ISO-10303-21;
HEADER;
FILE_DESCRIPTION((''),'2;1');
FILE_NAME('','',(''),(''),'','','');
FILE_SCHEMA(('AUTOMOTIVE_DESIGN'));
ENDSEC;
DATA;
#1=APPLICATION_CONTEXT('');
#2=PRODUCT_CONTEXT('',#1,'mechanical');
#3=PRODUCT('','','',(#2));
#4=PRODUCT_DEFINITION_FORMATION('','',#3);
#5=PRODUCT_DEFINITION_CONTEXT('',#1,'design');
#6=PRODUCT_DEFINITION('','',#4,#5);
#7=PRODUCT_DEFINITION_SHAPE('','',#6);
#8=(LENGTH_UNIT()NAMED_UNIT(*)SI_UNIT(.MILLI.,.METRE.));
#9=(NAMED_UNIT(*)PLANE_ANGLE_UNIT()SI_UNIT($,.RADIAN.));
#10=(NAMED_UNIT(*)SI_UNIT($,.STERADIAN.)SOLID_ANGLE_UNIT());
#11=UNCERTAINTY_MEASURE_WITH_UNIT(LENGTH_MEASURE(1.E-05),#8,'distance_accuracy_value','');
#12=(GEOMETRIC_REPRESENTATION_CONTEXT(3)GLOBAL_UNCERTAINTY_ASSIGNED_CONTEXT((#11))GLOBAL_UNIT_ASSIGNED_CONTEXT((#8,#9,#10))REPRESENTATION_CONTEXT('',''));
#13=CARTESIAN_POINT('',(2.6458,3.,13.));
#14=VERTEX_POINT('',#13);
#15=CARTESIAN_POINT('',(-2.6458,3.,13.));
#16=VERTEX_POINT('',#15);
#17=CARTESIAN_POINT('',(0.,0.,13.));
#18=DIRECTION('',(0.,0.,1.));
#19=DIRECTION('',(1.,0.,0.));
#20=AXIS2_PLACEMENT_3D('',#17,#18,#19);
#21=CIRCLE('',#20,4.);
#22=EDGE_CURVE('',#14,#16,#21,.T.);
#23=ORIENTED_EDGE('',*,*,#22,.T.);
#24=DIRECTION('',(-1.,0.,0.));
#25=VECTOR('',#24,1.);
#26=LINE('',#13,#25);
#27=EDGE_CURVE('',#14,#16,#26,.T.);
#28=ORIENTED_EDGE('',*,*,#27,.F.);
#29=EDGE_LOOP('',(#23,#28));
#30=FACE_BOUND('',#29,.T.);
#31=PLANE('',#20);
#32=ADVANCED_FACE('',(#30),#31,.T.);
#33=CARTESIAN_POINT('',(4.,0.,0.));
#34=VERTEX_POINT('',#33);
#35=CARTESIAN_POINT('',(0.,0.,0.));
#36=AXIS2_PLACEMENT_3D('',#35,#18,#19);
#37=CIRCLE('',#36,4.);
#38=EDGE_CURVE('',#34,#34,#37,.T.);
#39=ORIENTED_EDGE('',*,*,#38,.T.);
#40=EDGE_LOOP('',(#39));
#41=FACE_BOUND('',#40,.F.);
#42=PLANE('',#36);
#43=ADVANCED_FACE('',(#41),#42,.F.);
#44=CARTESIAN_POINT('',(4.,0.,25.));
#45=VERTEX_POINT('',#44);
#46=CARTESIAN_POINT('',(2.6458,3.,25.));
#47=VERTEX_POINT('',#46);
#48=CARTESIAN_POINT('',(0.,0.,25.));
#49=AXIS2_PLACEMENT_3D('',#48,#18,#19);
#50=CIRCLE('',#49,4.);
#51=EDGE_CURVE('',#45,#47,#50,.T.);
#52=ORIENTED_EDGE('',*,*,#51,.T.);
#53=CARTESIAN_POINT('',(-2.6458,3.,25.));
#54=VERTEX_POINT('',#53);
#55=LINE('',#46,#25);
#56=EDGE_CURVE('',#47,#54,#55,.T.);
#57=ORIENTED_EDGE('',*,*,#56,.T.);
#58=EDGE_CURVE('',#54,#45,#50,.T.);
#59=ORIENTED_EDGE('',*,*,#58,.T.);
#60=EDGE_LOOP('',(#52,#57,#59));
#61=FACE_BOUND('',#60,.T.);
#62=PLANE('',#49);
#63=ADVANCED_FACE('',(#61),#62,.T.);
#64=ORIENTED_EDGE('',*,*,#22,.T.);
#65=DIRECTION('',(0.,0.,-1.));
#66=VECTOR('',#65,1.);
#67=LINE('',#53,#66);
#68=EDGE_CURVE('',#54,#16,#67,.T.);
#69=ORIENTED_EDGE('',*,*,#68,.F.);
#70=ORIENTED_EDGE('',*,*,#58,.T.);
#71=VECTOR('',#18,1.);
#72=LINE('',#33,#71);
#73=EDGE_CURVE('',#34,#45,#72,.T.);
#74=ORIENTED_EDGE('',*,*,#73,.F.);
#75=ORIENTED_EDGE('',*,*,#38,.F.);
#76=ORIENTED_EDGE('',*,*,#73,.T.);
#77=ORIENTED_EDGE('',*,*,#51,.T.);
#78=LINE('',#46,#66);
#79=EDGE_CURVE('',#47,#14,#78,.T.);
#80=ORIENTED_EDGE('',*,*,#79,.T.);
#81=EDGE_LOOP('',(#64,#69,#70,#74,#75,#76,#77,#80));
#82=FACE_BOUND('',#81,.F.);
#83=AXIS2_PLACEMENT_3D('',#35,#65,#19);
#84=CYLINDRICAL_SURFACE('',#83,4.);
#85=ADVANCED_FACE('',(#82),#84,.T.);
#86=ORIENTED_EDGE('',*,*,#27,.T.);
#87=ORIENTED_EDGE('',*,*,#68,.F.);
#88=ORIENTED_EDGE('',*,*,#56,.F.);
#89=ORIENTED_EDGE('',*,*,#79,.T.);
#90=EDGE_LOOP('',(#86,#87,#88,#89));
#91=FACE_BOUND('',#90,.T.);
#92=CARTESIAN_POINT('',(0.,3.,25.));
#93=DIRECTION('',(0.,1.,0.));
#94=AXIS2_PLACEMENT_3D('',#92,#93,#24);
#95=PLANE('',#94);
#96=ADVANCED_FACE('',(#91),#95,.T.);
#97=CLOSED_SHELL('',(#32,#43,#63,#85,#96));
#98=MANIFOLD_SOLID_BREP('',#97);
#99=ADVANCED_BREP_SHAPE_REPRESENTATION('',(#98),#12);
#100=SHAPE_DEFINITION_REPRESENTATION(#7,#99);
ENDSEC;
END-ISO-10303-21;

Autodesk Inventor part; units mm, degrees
ref_plane "YZ Plane" through (0, 0, 0) normal (1, 0, 0) x (0, 1, 0)
ref_plane "XZ Plane" through (0, 0, 0) normal (0, 1, 0) x (-1, 0, 0)
ref_plane "XY Plane" through (0, 0, 0) normal (0, 0, 1) x (1, 0, 0)
sketch "스케치1" plane through (0, 0, 0) normal (0, 0, 1) x (1, 0, 0)
  circle A0 centre (0, 0) radius 4
  dimension "d0" = 8
extrude "돌출1" add sketch "스케치1" along normal blind 25
sketch "스케치2" plane through (0, 0, 25) normal (0, 0, 1) x (1, 0, 0)
  circle A0 centre (0, 0) radius 4 projected
  line L0 (0, -4) -> (0, 3)
  line L1 (2.6458, 3) -> (-2.6458, 3)
  dimension "d3" = 7
extrude "돌출2" cut sketch "스케치2" against normal blind 12 contours L1 A0
properties part number "shaft"
